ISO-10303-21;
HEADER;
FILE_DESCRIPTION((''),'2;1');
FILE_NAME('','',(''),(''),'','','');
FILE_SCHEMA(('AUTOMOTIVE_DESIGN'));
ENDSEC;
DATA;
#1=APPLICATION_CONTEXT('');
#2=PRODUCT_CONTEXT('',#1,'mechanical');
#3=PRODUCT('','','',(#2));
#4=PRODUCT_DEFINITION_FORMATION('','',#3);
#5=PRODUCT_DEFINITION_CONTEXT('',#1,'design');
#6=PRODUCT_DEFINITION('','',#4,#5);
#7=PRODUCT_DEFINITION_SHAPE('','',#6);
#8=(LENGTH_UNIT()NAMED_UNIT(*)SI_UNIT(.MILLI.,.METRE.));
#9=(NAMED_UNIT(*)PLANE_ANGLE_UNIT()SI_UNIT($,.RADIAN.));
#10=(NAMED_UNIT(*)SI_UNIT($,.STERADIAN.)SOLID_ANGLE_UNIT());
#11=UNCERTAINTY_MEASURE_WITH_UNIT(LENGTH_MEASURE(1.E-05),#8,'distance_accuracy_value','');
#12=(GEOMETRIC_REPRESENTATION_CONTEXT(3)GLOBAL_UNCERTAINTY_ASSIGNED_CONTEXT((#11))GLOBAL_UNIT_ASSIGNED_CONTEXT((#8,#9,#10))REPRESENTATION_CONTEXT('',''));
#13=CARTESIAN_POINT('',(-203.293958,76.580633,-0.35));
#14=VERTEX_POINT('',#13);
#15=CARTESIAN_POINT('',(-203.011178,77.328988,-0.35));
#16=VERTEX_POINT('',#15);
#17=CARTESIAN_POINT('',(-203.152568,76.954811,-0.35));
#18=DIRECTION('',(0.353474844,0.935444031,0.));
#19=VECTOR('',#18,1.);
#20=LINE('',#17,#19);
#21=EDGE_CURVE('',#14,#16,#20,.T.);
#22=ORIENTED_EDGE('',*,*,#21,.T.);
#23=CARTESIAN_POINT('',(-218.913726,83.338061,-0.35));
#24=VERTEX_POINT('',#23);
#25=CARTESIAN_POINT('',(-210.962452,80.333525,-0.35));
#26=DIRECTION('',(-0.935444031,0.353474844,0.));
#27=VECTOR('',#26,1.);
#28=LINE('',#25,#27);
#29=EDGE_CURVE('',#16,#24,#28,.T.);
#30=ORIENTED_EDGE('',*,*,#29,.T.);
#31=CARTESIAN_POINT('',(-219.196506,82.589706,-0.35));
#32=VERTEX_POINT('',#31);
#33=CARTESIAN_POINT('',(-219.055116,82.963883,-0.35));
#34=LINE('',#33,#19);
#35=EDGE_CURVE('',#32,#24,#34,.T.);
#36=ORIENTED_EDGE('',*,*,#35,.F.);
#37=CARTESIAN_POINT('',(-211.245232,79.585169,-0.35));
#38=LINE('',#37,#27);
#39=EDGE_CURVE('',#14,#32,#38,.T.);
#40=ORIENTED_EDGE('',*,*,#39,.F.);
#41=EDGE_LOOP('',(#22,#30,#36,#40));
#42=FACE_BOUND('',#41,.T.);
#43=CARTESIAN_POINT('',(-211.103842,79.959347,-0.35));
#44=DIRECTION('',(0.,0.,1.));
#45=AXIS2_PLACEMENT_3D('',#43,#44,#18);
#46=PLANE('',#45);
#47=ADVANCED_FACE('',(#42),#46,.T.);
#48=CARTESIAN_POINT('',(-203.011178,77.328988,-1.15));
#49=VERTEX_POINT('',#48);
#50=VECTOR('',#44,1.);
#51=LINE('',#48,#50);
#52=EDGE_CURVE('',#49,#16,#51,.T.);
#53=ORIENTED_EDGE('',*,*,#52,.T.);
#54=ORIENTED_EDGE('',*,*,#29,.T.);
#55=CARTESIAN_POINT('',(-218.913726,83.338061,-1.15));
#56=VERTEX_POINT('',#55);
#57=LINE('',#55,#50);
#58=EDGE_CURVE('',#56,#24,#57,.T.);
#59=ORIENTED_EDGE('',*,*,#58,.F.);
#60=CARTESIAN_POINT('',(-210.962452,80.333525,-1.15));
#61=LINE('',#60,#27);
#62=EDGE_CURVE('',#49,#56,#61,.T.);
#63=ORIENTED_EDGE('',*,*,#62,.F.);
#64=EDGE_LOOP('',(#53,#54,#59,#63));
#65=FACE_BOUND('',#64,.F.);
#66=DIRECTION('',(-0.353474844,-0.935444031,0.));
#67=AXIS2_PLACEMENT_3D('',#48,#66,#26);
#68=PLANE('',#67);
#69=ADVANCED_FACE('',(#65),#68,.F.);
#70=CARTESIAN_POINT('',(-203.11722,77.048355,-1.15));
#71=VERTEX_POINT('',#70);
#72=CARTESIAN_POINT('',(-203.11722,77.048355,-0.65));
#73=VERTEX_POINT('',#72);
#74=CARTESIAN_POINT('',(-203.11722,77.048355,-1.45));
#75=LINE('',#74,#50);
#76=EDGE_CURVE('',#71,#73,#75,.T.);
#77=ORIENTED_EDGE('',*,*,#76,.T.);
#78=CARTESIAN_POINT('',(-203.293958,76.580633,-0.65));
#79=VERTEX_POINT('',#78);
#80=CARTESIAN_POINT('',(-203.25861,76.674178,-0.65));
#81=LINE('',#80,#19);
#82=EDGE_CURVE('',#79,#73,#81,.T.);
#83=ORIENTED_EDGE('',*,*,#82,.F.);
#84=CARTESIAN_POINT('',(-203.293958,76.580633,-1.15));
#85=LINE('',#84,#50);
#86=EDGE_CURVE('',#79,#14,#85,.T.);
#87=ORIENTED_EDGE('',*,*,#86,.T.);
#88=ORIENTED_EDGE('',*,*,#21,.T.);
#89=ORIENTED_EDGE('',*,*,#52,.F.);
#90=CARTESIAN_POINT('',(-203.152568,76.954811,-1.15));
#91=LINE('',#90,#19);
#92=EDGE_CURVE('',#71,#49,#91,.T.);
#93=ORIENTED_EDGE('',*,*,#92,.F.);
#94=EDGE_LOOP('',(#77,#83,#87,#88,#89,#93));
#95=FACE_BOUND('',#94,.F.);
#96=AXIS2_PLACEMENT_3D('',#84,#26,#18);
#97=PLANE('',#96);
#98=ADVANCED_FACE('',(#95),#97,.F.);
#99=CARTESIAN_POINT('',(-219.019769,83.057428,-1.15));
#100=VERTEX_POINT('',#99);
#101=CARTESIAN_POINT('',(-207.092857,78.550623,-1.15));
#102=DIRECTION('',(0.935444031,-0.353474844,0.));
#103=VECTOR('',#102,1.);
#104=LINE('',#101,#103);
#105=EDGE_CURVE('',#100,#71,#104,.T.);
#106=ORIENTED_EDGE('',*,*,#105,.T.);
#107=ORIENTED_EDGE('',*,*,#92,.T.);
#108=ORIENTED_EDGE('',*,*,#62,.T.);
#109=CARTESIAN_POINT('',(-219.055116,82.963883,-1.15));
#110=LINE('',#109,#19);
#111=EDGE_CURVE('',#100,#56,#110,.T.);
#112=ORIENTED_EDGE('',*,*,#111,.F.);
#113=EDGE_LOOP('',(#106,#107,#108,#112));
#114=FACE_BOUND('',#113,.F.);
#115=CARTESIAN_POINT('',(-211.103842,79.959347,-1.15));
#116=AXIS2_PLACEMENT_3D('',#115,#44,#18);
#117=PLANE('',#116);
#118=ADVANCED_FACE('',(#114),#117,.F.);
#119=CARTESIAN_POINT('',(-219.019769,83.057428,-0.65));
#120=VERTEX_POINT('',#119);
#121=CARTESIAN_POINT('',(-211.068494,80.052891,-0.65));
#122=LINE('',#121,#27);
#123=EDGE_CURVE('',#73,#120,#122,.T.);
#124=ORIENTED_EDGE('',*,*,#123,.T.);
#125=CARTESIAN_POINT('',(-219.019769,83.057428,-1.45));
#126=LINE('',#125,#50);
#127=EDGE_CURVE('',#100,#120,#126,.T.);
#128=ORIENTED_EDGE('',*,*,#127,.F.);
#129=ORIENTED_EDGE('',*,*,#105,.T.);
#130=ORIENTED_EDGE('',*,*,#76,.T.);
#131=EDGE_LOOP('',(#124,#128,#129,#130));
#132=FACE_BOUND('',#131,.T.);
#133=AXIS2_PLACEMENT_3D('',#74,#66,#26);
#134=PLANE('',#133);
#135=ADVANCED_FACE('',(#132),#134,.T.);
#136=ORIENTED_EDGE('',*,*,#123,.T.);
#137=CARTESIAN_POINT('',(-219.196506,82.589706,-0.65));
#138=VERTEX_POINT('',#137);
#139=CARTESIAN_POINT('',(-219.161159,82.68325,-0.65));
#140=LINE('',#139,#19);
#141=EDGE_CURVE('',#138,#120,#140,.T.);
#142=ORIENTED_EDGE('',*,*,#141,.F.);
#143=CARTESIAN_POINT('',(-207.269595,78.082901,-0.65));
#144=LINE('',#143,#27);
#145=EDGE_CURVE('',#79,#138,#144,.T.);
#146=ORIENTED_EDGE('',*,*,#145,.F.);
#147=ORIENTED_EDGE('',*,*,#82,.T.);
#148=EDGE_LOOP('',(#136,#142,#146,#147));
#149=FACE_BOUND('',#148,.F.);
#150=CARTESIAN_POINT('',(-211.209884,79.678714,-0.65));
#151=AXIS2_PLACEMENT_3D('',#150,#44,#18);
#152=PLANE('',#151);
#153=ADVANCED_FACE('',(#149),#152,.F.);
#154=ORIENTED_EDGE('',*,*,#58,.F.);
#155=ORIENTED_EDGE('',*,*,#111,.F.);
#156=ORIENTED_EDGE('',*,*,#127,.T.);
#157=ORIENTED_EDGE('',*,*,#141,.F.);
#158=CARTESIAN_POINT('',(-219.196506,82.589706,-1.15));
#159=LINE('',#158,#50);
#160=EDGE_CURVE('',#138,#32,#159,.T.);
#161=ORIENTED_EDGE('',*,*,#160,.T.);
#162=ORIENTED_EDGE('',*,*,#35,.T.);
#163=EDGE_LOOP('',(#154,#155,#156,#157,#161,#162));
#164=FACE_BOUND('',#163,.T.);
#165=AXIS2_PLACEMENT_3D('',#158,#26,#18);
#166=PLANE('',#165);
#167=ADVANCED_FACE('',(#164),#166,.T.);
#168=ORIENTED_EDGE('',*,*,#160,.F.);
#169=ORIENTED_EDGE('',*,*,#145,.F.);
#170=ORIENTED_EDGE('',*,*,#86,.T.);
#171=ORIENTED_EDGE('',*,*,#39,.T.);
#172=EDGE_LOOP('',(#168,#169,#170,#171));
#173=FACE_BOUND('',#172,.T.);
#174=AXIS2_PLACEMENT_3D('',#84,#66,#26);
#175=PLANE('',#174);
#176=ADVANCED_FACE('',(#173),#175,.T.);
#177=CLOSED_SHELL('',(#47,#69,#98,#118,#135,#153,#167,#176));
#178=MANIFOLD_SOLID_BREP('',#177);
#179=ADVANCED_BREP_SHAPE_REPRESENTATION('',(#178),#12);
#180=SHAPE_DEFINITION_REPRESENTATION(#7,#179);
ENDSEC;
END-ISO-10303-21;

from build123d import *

# Parameters (mm, degrees)
BOX109_W               = 0.8
BOX109_H               = 17
BOX109_DEPTH           = 0.8
BOX110_W               = 0.8
BOX110_H               = 17
BOX110_DEPTH           = 0.8
CUT058_PLACEMENT_ANGLE = 69.3


with BuildPart() as cubo109:
    # Box109 → Box109 (new body)
    with BuildSketch(Plane.XY):
        with Locations((0.4, 8.5)):
            Rectangle(BOX109_W, BOX109_H)
    extrude(amount=BOX109_DEPTH)


with BuildPart() as perfil_l_2da_cara:
    # Box110 → Box110 (new body)
    with BuildSketch(Plane(origin=(0.3, 0, 0.3), x_dir=(1, 0, 0), z_dir=(0, 0, 1))):
        with Locations((0.4, 8.5)):
            Rectangle(BOX110_W, BOX110_H)
    extrude(amount=BOX110_DEPTH)

    # Cut058: cut Cubo109
    add(cubo109.part, mode=Mode.SUBTRACT)


with BuildPart() as perfil_l_2da_cara_1:
    # Cut058 placement: moved
    add(perfil_l_2da_cara.part.moved(Location((-203.4, 76.3, -1.45))).rotate(Axis((-203.4, 76.3, -1.45), (0, 0, 1)), CUT058_PLACEMENT_ANGLE))


solid = perfil_l_2da_cara_1.part
